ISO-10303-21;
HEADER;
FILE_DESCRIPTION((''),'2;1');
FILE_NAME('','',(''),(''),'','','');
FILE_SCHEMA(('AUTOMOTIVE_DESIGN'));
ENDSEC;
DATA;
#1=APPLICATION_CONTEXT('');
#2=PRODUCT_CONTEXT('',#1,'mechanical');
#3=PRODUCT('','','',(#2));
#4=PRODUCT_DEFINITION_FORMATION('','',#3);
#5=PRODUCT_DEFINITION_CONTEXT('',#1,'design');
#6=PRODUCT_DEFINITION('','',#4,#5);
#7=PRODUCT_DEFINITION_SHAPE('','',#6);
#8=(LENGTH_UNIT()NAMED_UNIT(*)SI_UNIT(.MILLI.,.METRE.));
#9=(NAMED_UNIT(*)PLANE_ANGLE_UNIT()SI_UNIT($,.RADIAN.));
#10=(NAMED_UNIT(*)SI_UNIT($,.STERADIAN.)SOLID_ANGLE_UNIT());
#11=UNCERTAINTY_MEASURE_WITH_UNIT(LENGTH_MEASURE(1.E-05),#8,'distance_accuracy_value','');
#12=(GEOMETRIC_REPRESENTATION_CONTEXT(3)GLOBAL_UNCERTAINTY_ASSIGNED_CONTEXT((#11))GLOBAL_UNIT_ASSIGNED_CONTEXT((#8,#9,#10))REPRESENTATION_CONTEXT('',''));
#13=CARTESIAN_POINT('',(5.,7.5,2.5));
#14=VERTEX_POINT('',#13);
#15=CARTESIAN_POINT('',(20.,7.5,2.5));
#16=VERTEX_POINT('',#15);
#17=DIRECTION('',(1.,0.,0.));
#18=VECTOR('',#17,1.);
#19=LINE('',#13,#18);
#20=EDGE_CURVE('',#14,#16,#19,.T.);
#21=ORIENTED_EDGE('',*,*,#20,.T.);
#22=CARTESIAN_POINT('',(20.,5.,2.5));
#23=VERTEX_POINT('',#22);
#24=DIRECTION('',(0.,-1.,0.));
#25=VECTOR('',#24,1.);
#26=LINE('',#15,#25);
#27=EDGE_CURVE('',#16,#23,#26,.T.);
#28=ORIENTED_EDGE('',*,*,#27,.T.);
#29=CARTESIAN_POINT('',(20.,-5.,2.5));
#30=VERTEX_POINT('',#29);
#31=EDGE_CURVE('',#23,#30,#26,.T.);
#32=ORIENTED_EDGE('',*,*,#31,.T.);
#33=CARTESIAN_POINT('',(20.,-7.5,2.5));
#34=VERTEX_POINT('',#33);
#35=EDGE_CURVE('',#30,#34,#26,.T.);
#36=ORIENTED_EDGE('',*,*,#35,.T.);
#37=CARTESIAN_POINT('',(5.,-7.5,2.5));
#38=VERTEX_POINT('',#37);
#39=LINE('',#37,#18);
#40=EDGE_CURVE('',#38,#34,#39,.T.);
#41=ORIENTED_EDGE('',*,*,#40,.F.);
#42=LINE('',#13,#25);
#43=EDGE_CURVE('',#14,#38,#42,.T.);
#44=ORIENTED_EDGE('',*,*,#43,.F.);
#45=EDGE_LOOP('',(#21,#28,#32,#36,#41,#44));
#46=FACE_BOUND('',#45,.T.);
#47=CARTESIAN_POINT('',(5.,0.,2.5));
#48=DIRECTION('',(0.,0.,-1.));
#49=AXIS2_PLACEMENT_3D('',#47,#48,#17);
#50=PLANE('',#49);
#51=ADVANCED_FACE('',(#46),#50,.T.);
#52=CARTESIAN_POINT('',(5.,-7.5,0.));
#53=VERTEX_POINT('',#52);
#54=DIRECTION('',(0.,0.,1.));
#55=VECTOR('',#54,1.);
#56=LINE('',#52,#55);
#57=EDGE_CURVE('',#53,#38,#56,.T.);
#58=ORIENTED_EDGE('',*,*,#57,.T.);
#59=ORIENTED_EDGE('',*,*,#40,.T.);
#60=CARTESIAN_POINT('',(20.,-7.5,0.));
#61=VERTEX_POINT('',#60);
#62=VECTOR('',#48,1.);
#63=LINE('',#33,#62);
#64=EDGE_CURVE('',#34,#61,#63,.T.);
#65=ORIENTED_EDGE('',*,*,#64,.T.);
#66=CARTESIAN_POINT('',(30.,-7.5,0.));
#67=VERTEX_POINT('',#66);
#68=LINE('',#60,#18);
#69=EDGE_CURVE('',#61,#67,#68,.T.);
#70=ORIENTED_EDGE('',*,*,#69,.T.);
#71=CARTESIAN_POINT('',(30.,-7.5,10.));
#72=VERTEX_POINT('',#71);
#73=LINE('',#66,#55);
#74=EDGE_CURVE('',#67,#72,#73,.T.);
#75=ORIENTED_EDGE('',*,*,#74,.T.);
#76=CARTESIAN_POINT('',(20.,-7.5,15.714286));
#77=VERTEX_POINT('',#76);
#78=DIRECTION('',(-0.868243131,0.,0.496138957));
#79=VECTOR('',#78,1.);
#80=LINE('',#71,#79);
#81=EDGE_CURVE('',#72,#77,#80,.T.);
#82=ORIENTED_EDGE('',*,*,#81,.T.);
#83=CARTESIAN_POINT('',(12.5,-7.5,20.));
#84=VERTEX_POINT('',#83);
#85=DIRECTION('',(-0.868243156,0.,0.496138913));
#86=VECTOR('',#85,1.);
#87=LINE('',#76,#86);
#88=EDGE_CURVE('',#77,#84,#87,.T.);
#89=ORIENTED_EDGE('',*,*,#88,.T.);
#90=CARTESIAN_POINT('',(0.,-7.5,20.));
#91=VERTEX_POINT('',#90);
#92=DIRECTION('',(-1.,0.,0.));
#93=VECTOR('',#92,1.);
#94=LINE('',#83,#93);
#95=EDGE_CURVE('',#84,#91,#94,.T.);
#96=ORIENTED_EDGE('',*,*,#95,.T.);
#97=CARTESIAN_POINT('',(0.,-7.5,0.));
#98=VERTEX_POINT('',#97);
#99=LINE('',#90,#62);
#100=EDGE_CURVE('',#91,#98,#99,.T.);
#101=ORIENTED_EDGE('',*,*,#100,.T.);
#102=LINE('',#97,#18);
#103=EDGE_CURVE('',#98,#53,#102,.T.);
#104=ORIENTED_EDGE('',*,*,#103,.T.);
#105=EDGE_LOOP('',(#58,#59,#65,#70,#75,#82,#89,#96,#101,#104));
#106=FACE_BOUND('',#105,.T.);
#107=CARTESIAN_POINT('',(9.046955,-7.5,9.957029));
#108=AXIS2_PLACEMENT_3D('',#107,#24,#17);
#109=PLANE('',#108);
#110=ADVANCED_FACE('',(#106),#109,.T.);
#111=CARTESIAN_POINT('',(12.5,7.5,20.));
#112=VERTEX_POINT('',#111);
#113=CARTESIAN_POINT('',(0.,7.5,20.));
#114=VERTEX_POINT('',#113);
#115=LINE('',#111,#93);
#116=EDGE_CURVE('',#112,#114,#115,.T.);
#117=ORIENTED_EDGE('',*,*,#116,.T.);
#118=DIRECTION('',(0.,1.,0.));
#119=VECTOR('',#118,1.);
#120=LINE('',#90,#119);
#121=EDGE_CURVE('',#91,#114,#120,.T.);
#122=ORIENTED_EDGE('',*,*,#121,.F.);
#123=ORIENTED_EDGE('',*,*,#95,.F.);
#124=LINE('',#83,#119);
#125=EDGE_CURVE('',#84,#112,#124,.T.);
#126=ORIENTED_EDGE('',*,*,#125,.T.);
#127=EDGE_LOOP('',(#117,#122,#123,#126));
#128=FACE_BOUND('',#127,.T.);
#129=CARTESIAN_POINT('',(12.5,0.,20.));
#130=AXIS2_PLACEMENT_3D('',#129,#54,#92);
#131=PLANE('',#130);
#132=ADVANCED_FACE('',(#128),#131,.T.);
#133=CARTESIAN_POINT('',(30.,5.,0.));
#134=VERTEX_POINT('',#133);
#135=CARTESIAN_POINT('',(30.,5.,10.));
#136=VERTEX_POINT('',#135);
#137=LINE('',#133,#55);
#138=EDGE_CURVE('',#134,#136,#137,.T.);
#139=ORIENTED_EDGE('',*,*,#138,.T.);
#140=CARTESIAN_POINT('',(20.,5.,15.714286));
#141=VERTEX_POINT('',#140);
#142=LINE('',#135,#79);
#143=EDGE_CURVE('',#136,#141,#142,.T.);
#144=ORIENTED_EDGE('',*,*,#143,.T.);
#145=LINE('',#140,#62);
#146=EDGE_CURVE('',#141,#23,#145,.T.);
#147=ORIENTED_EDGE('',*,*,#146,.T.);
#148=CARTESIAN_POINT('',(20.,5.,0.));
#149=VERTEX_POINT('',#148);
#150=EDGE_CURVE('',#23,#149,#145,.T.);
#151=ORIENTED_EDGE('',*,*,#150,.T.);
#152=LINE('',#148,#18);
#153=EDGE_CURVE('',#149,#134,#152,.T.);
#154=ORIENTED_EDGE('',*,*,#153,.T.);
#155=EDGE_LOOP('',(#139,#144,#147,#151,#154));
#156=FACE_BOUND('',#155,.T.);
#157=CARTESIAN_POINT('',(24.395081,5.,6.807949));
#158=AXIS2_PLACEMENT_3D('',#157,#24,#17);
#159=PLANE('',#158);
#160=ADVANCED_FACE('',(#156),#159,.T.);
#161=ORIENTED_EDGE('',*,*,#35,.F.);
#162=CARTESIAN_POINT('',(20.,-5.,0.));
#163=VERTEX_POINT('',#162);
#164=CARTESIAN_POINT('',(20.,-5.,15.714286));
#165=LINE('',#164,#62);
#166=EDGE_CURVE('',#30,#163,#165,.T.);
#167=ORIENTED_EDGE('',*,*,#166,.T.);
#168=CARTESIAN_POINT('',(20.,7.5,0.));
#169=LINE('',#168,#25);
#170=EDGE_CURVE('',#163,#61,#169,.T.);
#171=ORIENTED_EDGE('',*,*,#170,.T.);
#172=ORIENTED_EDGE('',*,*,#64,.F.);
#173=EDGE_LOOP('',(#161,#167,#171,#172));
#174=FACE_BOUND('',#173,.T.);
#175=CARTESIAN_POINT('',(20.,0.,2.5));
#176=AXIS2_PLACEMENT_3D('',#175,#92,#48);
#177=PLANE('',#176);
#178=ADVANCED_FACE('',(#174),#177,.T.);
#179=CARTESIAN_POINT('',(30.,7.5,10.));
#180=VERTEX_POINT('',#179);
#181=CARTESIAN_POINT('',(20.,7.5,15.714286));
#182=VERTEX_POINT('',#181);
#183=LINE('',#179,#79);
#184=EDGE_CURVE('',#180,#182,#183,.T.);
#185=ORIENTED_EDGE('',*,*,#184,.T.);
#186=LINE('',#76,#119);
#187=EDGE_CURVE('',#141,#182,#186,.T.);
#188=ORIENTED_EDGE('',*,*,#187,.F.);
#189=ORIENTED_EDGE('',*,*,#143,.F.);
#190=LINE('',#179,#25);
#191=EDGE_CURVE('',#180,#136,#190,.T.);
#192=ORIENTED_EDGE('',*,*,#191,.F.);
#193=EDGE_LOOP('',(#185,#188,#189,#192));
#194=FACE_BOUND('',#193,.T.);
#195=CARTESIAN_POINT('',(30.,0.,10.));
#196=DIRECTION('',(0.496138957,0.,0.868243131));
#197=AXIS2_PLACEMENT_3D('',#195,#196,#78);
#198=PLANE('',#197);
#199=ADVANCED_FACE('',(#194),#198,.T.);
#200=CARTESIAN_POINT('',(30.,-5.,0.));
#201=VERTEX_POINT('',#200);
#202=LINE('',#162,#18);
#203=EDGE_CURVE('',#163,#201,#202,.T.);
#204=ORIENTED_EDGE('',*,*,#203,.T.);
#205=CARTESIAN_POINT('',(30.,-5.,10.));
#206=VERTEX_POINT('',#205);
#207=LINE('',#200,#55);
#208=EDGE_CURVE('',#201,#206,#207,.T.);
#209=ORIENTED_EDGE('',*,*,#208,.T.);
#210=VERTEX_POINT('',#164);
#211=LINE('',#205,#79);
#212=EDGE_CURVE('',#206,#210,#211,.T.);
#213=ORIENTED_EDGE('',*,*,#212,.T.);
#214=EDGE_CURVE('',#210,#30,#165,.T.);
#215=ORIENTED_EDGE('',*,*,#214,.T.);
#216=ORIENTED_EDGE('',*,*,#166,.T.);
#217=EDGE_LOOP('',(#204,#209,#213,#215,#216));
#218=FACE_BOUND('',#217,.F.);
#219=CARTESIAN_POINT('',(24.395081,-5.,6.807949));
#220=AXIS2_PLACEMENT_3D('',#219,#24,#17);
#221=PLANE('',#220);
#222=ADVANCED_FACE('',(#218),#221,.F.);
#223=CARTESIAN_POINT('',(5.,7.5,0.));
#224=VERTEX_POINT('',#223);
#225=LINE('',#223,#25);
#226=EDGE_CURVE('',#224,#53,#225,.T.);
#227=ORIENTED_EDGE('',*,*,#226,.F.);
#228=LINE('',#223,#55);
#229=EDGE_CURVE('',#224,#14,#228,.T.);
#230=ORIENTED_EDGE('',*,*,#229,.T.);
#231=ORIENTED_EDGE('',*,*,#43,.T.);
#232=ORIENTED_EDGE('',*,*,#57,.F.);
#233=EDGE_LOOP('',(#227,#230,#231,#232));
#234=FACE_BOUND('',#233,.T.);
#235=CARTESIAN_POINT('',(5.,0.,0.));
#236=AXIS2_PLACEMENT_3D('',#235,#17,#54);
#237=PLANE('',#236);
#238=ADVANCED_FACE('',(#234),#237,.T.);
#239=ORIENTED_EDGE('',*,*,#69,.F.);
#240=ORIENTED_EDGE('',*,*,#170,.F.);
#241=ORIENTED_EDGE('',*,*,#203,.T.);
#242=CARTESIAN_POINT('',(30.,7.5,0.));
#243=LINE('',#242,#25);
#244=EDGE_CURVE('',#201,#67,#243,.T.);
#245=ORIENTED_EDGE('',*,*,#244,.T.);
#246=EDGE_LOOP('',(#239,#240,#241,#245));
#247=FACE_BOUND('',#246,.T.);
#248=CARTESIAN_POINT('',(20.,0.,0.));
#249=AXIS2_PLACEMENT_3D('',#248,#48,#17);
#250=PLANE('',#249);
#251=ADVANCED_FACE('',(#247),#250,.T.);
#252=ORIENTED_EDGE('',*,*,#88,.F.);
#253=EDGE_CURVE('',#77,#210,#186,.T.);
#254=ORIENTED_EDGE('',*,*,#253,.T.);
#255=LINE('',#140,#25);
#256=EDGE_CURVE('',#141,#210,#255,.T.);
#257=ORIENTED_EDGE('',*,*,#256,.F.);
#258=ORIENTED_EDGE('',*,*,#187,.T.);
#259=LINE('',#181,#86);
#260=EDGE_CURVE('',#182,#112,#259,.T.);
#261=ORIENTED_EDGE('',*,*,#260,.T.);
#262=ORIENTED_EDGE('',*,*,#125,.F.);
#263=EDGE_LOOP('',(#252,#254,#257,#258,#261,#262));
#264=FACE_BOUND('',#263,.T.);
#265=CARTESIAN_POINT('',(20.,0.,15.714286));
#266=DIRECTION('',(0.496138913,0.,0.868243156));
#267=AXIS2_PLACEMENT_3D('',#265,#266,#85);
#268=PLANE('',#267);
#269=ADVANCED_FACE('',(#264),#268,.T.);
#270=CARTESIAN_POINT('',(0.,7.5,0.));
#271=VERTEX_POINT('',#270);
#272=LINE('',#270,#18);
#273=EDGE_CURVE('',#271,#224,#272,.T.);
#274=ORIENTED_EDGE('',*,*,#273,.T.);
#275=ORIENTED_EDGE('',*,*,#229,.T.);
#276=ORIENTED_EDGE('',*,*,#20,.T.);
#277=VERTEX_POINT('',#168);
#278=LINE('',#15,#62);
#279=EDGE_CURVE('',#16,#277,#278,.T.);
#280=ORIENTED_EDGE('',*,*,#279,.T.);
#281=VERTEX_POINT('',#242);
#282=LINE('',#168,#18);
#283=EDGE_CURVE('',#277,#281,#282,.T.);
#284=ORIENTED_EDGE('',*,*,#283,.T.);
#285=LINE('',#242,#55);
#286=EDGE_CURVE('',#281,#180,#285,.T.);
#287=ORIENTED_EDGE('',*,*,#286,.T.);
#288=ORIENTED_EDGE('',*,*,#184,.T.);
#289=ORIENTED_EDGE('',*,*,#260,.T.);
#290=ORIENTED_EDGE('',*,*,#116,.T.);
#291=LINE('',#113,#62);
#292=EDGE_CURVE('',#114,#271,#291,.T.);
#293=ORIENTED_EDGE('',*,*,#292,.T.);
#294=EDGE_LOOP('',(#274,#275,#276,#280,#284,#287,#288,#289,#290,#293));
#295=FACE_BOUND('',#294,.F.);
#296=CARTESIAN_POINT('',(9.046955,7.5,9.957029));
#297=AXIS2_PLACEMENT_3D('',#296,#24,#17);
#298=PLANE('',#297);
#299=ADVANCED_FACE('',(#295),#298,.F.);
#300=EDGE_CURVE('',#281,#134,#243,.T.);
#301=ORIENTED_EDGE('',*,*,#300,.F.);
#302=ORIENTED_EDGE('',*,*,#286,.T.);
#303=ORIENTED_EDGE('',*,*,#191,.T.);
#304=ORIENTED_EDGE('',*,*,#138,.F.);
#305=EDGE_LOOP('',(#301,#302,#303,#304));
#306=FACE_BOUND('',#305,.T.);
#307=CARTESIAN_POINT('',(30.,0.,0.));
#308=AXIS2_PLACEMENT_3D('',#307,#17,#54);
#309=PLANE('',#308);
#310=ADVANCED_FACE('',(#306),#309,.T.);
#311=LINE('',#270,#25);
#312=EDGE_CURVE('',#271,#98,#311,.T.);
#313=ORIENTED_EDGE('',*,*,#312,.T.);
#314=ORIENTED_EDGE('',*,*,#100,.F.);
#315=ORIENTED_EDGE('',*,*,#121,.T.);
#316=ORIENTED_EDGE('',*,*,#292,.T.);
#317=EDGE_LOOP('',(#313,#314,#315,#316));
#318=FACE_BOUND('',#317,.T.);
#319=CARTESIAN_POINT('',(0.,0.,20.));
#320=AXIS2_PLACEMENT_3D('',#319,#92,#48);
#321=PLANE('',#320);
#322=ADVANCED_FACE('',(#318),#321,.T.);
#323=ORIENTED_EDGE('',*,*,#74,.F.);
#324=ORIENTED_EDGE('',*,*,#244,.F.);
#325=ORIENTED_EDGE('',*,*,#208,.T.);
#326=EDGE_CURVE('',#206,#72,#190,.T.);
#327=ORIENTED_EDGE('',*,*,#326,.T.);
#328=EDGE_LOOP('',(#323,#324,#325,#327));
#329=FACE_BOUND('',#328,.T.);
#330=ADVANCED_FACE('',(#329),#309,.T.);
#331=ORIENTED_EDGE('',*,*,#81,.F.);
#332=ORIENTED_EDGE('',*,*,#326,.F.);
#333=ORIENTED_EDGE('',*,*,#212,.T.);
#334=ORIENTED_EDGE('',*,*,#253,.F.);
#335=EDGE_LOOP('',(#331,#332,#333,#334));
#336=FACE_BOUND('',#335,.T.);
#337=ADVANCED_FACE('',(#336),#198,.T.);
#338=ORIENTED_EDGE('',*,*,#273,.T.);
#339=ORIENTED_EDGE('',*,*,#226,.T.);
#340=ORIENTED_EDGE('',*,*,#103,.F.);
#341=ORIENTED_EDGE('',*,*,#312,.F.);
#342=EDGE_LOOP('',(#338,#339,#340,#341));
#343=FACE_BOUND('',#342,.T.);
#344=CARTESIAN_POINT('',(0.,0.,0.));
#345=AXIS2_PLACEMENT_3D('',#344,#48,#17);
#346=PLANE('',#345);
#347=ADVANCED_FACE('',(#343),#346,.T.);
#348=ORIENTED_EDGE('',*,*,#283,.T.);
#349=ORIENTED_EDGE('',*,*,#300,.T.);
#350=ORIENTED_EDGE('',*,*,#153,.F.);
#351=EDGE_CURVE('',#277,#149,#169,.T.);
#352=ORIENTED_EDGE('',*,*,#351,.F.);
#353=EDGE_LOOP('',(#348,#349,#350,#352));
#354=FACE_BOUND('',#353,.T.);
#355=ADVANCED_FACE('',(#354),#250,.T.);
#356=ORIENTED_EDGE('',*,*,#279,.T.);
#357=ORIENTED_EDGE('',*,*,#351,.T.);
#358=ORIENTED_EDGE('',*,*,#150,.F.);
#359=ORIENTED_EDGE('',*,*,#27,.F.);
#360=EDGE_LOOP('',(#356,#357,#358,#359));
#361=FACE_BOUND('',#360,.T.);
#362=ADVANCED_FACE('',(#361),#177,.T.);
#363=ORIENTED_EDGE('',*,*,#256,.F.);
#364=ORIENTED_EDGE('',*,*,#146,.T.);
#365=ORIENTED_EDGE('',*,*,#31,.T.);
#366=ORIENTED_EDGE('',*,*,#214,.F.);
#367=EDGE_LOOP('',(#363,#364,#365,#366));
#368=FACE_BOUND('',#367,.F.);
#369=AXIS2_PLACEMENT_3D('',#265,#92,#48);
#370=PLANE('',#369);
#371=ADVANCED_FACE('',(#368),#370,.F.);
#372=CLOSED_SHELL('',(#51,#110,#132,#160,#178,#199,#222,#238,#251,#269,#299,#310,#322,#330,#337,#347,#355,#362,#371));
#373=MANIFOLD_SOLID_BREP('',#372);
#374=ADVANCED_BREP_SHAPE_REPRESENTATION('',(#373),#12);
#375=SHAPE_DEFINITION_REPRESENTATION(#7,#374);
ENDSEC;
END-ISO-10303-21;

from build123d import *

# Parameters (mm, degrees)
F1_DEPTH = 7.5
F2_DEPTH = 5


with BuildPart() as f1:
    # F0 (on Front) → F1 (new body, symmetric)
    with BuildSketch(Plane.XZ):
        Polygon((0, 20), (0, 0), (5, 0), (5, 2.5), (20, 2.5), (20, 15.714286), (12.5, 20), align=None)
        Polygon((30, 10), (20, 15.714286), (20, 2.5), (20, 0), (30, 0), align=None)
    extrude(amount=F1_DEPTH, both=True)

    # F0 (on Front) → F2 (cut, symmetric)
    with BuildSketch(Plane.XZ):
        Polygon((30, 10), (20, 15.714286), (20, 2.5), (20, 0), (30, 0), align=None)
    extrude(amount=F2_DEPTH, both=True, mode=Mode.SUBTRACT)


solid = f1.part
